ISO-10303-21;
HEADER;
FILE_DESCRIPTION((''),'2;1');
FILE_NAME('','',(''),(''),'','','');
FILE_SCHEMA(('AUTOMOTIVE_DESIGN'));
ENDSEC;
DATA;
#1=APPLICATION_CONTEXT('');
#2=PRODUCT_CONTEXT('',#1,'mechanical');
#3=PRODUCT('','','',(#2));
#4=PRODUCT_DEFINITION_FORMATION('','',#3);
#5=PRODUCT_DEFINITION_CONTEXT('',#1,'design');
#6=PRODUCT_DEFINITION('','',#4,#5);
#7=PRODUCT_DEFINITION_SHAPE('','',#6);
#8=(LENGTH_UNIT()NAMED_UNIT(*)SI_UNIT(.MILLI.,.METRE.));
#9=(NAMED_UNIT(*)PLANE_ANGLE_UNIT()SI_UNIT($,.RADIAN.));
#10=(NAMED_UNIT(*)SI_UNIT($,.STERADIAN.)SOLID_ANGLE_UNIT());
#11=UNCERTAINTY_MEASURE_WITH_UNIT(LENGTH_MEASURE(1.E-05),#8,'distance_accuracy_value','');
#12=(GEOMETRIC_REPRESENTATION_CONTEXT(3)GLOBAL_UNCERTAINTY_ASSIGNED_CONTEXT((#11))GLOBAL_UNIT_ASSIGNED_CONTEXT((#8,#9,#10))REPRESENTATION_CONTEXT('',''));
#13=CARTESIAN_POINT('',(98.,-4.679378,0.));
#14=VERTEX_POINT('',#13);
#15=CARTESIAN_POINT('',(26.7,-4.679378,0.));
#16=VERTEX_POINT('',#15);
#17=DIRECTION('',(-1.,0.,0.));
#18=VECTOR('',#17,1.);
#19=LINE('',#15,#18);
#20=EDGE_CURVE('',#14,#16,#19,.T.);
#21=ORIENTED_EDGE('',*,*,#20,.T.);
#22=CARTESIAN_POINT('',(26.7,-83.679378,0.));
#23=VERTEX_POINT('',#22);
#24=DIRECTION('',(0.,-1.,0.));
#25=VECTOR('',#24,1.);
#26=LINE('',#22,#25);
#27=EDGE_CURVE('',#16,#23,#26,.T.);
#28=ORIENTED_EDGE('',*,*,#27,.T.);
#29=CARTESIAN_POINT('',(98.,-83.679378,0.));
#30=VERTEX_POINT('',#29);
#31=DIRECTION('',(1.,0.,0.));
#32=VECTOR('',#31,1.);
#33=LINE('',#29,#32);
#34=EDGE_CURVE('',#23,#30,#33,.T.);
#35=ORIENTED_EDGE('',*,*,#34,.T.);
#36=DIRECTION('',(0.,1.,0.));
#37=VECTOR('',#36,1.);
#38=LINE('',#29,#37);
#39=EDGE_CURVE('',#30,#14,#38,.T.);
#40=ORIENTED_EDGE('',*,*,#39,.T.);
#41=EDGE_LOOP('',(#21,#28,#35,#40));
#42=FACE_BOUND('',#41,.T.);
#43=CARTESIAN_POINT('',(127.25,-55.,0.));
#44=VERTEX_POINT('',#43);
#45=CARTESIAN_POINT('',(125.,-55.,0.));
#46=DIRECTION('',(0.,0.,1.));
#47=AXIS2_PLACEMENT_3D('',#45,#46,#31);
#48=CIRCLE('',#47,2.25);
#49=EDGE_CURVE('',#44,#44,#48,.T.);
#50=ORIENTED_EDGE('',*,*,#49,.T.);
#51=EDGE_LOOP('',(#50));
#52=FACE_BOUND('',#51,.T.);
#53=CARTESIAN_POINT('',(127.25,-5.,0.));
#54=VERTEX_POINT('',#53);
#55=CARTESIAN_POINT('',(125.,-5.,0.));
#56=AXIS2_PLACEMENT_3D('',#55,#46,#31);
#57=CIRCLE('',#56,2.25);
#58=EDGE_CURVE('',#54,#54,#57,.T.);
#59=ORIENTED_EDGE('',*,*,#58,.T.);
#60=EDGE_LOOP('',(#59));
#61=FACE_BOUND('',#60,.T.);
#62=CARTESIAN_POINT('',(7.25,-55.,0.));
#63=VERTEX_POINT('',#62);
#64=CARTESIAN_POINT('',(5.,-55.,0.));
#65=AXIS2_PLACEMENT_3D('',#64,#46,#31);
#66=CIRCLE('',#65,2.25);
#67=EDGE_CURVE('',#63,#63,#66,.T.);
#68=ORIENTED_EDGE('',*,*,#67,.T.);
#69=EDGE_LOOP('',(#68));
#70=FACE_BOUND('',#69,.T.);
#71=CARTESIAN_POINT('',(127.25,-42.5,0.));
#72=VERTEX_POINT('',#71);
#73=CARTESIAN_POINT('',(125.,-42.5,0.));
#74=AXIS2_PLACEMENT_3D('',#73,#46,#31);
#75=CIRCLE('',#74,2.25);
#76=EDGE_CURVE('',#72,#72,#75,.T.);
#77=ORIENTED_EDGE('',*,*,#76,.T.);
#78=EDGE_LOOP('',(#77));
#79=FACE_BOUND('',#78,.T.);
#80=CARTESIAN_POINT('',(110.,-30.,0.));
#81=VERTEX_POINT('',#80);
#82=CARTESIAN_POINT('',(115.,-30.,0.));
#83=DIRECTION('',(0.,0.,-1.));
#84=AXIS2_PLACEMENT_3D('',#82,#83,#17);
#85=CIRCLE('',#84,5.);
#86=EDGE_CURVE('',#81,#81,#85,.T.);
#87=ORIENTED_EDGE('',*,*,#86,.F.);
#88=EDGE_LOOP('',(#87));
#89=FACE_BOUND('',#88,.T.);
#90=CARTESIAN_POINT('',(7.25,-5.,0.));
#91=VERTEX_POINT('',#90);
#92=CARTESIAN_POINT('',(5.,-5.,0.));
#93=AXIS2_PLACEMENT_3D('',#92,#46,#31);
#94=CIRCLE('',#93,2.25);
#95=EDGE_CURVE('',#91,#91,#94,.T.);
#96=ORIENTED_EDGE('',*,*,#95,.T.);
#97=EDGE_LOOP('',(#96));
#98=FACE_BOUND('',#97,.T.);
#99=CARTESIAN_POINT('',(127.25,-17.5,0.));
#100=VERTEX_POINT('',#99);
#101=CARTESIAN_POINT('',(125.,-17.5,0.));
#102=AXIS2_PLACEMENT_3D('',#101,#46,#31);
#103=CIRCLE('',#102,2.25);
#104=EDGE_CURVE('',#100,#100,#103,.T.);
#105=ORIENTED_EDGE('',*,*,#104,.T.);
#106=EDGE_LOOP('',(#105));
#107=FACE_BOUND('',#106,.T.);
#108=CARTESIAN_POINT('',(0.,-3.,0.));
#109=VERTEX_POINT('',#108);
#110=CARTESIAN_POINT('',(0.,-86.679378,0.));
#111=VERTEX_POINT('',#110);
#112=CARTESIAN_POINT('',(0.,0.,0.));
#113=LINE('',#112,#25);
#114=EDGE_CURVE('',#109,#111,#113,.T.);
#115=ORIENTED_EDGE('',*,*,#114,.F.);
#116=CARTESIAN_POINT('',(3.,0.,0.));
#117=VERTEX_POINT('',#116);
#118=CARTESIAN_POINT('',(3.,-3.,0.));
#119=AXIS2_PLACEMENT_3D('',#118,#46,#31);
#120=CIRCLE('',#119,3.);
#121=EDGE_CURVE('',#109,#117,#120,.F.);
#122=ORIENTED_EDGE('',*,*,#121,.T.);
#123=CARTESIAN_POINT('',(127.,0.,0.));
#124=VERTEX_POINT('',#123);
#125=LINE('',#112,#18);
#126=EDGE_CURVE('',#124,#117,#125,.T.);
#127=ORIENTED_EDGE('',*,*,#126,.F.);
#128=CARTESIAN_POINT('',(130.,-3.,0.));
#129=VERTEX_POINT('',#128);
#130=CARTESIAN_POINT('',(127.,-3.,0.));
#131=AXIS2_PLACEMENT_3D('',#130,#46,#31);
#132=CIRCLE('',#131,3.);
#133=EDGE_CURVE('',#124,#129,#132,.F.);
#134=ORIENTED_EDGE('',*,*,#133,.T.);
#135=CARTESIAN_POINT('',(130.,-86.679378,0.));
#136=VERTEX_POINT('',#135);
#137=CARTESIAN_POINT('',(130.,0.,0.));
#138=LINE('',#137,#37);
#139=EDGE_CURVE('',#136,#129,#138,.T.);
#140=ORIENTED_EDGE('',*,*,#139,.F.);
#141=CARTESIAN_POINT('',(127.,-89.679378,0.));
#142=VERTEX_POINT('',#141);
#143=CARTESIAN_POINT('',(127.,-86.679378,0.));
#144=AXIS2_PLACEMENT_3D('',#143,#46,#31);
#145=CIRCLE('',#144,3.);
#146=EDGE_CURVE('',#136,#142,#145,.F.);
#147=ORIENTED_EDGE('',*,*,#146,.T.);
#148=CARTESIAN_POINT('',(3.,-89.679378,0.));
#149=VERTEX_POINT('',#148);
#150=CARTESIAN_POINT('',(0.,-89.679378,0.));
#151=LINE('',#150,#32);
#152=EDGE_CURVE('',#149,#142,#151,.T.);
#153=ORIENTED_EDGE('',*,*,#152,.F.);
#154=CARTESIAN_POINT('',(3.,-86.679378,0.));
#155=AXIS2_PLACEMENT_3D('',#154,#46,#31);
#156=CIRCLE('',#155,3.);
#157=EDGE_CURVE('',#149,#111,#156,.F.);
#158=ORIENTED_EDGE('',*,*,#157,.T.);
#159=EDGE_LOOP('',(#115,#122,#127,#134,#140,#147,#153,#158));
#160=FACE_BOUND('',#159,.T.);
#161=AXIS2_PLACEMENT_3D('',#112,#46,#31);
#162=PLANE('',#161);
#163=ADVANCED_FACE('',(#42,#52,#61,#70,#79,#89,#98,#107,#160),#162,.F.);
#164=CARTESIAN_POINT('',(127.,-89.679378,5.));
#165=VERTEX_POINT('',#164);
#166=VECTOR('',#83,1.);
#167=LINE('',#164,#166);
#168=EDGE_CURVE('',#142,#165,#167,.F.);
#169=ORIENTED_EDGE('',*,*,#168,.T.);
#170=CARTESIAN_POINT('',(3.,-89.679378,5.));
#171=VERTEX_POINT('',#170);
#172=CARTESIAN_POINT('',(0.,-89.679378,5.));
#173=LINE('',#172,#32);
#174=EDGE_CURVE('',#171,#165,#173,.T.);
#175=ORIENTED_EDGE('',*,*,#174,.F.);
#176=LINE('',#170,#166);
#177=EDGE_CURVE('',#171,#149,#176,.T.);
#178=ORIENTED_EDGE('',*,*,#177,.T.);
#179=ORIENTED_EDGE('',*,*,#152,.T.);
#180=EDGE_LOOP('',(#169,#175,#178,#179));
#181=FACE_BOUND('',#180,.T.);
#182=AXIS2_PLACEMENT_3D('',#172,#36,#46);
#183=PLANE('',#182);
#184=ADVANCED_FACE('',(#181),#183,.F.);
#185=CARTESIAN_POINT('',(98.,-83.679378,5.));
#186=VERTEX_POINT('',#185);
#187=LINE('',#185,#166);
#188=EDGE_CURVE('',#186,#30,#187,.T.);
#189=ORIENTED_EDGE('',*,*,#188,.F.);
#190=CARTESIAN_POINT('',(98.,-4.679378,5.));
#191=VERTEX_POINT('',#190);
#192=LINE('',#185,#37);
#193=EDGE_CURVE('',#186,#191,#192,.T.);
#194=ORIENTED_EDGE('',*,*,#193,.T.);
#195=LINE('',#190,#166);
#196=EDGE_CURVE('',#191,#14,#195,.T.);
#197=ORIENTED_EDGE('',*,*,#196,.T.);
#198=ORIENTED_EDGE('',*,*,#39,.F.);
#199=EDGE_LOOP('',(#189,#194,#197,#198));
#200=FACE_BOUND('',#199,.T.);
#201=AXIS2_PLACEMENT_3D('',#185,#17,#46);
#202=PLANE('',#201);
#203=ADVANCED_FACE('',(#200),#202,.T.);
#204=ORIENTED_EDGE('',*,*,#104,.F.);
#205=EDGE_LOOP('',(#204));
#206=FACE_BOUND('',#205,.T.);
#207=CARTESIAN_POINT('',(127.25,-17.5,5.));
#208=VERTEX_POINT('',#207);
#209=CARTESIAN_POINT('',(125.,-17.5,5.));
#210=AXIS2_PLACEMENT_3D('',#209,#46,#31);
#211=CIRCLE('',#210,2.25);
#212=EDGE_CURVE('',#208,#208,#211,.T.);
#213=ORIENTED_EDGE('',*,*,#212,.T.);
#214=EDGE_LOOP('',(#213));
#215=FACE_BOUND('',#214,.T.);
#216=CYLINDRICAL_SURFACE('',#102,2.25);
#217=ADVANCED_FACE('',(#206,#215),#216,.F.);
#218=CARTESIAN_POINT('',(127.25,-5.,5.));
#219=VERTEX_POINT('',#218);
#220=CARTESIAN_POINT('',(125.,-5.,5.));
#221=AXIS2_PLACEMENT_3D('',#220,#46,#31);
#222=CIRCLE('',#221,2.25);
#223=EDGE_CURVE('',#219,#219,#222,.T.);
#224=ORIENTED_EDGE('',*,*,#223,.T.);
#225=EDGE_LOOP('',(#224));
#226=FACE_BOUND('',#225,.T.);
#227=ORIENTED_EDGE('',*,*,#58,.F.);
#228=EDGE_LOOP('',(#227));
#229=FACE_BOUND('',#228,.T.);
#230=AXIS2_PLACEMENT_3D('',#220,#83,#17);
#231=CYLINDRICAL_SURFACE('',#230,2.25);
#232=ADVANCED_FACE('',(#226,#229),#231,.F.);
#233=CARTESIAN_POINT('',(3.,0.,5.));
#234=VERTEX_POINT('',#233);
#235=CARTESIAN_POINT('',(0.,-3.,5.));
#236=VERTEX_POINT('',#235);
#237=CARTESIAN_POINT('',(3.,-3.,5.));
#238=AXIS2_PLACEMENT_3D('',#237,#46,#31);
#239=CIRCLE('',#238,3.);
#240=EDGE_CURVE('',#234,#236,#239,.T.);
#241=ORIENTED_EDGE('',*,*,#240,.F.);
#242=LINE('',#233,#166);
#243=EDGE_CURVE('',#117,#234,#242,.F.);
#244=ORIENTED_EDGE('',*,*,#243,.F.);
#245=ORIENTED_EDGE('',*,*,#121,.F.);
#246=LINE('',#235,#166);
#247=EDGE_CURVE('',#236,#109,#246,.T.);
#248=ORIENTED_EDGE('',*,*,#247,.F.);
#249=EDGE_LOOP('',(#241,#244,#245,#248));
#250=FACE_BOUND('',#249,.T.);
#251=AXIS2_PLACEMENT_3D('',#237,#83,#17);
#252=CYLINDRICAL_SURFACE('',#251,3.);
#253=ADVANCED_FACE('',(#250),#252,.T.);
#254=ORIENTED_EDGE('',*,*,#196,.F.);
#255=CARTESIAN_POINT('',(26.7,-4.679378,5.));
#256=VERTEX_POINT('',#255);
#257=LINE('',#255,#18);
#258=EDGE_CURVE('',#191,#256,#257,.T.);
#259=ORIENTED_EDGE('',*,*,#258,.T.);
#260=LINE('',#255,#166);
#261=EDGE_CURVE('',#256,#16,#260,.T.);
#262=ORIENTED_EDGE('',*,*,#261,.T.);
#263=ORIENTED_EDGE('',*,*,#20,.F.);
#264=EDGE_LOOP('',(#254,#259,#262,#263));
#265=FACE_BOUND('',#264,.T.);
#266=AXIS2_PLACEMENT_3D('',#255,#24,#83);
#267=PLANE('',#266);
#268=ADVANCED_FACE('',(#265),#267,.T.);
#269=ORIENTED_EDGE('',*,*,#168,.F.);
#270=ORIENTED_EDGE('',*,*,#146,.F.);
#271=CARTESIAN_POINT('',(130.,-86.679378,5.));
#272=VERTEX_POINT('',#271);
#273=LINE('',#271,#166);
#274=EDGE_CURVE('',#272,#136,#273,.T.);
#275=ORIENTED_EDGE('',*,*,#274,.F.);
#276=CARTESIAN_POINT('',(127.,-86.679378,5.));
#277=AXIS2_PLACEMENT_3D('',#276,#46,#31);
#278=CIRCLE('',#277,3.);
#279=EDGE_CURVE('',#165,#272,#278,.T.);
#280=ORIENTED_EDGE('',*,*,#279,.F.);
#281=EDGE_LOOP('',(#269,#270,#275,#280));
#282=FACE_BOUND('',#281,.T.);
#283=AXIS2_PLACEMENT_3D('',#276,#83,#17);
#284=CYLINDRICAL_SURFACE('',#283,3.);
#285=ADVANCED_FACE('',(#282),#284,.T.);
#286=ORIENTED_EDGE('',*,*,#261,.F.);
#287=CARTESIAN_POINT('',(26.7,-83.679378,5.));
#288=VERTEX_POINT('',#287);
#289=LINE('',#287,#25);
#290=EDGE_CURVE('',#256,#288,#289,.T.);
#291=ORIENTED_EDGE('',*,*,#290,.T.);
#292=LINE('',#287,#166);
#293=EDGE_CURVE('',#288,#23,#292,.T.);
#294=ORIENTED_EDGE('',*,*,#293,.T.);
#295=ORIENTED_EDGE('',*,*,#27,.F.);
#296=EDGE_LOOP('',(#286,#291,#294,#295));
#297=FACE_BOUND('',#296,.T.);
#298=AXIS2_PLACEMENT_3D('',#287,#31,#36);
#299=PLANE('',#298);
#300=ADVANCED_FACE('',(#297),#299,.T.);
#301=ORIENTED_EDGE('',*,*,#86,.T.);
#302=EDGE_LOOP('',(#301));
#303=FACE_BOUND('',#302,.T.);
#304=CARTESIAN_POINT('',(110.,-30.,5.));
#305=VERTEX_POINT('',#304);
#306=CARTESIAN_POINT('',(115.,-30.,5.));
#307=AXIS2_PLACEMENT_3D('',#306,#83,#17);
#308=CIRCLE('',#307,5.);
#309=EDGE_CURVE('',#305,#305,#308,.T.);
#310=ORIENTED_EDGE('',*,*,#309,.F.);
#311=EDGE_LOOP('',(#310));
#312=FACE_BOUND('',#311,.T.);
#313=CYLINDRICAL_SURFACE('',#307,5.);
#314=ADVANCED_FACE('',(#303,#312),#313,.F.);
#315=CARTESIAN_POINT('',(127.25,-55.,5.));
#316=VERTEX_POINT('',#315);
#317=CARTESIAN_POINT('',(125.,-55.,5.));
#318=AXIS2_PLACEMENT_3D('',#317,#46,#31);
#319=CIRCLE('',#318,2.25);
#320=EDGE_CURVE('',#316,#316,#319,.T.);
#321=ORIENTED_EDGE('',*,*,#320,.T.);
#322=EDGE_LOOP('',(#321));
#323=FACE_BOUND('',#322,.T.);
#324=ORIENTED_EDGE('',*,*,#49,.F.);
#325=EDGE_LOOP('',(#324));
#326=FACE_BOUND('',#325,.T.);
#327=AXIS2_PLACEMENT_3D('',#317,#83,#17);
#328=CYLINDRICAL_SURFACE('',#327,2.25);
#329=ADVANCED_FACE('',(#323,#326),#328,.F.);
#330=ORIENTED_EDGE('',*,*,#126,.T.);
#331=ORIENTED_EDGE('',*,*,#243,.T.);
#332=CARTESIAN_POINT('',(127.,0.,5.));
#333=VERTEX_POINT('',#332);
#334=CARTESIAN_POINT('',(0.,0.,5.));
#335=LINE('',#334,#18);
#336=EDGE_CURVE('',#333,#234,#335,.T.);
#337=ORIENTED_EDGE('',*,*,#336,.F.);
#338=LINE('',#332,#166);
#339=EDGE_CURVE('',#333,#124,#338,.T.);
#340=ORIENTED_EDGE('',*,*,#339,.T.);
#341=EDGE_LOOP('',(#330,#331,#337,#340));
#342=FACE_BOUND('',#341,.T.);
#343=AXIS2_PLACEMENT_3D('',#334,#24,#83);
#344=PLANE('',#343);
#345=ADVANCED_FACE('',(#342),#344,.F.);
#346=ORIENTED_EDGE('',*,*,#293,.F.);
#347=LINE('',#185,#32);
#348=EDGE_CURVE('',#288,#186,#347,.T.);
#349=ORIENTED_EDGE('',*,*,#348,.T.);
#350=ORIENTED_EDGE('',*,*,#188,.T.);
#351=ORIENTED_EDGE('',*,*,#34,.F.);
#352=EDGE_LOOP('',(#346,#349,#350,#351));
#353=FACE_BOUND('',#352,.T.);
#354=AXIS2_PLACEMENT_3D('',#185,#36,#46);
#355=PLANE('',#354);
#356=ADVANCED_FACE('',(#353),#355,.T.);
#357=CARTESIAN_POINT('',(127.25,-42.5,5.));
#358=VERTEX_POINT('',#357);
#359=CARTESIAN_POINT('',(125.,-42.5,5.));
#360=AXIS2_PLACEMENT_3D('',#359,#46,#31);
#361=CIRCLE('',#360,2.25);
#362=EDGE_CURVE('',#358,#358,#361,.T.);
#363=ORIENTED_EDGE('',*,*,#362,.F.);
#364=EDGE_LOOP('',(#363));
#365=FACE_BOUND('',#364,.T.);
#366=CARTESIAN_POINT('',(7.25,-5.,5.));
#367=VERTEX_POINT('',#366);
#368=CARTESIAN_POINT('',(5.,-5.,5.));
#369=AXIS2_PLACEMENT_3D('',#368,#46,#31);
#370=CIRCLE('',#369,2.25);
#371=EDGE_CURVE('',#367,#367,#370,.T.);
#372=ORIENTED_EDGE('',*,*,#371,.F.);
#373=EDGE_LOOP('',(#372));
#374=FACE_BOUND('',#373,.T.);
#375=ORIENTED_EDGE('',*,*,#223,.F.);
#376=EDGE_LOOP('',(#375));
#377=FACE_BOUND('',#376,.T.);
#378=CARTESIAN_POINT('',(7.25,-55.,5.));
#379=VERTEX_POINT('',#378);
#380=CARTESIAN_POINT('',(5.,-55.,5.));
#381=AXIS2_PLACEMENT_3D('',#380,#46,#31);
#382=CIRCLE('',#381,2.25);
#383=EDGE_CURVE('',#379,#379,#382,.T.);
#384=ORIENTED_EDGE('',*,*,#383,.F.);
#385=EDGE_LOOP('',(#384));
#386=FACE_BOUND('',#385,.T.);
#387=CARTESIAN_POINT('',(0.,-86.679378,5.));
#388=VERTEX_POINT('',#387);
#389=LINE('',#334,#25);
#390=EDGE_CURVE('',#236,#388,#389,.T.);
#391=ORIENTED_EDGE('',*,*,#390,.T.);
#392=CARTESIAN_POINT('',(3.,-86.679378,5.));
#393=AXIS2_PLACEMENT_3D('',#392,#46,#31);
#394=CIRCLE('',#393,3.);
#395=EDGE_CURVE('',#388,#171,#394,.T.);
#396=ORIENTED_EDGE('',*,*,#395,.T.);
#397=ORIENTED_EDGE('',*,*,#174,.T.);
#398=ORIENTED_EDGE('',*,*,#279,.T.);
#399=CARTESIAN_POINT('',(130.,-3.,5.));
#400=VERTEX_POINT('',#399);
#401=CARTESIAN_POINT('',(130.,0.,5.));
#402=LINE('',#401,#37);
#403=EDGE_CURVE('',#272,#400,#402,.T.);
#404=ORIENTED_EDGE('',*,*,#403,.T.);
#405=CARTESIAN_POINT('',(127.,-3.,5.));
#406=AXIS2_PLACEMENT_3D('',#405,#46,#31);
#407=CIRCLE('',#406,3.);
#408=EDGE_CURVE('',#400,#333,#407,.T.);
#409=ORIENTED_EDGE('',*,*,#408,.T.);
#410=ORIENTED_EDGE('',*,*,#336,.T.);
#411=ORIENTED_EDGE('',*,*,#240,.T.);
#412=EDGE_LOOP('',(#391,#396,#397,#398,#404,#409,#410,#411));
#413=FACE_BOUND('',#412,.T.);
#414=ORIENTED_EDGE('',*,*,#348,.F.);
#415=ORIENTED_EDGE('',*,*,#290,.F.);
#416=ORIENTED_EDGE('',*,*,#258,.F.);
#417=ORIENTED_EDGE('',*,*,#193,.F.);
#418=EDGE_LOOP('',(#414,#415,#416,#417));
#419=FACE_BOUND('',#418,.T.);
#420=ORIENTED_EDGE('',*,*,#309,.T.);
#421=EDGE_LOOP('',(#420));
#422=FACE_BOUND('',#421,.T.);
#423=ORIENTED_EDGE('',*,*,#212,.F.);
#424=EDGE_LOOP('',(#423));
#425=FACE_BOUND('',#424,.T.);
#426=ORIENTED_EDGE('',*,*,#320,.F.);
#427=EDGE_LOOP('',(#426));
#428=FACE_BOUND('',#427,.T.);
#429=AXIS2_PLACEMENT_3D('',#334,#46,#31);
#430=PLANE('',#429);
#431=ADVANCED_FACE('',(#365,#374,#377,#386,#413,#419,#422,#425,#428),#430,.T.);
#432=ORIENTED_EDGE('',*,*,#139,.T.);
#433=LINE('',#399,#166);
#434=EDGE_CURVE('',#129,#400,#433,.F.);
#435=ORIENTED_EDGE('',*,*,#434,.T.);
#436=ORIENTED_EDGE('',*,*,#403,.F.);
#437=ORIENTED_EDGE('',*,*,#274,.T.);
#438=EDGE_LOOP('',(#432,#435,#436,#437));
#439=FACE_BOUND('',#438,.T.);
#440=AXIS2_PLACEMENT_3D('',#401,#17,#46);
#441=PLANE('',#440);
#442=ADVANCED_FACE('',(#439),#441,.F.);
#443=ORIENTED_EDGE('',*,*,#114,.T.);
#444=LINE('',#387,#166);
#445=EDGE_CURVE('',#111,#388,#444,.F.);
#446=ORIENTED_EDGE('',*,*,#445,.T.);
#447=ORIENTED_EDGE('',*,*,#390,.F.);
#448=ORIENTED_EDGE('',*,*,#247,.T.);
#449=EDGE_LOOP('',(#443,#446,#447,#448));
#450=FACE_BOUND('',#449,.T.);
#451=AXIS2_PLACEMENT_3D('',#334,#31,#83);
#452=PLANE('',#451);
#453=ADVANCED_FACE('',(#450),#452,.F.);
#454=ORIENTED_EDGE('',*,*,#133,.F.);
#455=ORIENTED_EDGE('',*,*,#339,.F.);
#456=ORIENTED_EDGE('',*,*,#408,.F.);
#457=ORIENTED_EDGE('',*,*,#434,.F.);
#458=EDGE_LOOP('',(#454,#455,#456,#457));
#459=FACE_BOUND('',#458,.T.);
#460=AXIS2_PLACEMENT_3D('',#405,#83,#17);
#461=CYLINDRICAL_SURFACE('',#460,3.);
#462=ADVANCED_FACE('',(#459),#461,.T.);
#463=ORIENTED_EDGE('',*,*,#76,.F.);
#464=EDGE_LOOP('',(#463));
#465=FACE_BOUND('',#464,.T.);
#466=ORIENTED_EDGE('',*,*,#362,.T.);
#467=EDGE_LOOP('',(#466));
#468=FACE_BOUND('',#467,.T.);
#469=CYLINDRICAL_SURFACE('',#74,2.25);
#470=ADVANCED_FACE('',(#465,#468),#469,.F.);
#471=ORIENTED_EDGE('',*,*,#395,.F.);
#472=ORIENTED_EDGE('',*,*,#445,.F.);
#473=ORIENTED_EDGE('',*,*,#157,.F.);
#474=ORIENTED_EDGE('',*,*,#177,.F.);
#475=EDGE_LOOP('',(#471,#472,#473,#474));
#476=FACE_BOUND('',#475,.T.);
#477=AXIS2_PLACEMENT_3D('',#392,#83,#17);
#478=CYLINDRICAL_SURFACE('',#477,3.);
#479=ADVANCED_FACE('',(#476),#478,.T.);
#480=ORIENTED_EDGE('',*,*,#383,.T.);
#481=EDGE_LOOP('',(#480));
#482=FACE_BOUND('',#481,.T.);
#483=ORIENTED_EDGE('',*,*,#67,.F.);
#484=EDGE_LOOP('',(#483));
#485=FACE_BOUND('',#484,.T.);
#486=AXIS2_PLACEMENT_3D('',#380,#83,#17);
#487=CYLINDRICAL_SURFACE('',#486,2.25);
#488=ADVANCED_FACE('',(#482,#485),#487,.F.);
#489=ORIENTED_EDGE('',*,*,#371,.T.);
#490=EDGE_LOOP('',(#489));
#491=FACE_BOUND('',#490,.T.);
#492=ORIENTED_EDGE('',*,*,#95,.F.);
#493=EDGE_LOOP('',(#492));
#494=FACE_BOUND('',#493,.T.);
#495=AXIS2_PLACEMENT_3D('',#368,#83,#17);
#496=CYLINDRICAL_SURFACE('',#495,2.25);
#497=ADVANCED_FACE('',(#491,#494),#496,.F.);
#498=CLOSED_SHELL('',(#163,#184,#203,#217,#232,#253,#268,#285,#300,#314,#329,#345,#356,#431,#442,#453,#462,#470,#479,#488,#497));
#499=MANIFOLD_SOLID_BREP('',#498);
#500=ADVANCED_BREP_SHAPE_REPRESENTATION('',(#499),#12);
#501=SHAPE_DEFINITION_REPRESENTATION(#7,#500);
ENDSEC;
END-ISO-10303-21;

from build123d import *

# Parameters (mm, degrees)
SKETCH1_W           = 130
SKETCH1_H           = 89.679378249
SKETCH1_R           = 2.25
SKETCH1_W_2         = 71.3
SKETCH1_H_2         = 79
BOSS_EXTRUDE1_DEPTH = 5
FILLET1_R           = 3
SKETCH2_R           = 5
CUT_EXTRUDE1_DEPTH  = 5
SKETCH3_R           = 2.25
CUT_EXTRUDE2_DEPTH  = 5


with BuildPart() as part:
    # Sketch1 → Boss-Extrude1 (new body)
    with BuildSketch(Plane.XY):
        with Locations((65, -44.839689125)):
            Rectangle(SKETCH1_W, SKETCH1_H)
        with Locations((125, -5)):
            Circle(SKETCH1_R, mode=Mode.SUBTRACT)
        with Locations((125, -55)):
            Circle(SKETCH1_R, mode=Mode.SUBTRACT)
        with Locations((5, -55)):
            Circle(SKETCH1_R, mode=Mode.SUBTRACT)
        with Locations((5, -5)):
            Circle(SKETCH1_R, mode=Mode.SUBTRACT)
        with Locations((62.35, -44.179378249)):
            Rectangle(SKETCH1_W_2, SKETCH1_H_2, mode=Mode.SUBTRACT)
    extrude(amount=BOSS_EXTRUDE1_DEPTH)

    # Fillet1
    fillet1_edges = [part.edges().sort_by_distance(p)[0] for p in [
        (0, 0, 2.5),
        (130, 0, 2.5),
        (130, -89.679378249, 2.5),
        (0, -89.679378249, 2.5),
    ]]
    fillet(fillet1_edges, radius=FILLET1_R)

    # Sketch2 → Cut-Extrude1 (cut)
    with BuildSketch(Plane(origin=(0, 0, 0), x_dir=(-1, 0, 0), z_dir=(0, 0, -1))):
        with Locations((-115, -30)):
            Circle(SKETCH2_R)
    extrude(amount=-CUT_EXTRUDE1_DEPTH, mode=Mode.SUBTRACT)

    # Sketch3 → Cut-Extrude2 (cut)
    with BuildSketch(Plane.XY.offset(5)):
        with Locations((125, -42.5)):
            Circle(SKETCH3_R)
        with Locations((125, -17.5)):
            Circle(SKETCH3_R)
    extrude(amount=-CUT_EXTRUDE2_DEPTH, mode=Mode.SUBTRACT)


solid = part.part
